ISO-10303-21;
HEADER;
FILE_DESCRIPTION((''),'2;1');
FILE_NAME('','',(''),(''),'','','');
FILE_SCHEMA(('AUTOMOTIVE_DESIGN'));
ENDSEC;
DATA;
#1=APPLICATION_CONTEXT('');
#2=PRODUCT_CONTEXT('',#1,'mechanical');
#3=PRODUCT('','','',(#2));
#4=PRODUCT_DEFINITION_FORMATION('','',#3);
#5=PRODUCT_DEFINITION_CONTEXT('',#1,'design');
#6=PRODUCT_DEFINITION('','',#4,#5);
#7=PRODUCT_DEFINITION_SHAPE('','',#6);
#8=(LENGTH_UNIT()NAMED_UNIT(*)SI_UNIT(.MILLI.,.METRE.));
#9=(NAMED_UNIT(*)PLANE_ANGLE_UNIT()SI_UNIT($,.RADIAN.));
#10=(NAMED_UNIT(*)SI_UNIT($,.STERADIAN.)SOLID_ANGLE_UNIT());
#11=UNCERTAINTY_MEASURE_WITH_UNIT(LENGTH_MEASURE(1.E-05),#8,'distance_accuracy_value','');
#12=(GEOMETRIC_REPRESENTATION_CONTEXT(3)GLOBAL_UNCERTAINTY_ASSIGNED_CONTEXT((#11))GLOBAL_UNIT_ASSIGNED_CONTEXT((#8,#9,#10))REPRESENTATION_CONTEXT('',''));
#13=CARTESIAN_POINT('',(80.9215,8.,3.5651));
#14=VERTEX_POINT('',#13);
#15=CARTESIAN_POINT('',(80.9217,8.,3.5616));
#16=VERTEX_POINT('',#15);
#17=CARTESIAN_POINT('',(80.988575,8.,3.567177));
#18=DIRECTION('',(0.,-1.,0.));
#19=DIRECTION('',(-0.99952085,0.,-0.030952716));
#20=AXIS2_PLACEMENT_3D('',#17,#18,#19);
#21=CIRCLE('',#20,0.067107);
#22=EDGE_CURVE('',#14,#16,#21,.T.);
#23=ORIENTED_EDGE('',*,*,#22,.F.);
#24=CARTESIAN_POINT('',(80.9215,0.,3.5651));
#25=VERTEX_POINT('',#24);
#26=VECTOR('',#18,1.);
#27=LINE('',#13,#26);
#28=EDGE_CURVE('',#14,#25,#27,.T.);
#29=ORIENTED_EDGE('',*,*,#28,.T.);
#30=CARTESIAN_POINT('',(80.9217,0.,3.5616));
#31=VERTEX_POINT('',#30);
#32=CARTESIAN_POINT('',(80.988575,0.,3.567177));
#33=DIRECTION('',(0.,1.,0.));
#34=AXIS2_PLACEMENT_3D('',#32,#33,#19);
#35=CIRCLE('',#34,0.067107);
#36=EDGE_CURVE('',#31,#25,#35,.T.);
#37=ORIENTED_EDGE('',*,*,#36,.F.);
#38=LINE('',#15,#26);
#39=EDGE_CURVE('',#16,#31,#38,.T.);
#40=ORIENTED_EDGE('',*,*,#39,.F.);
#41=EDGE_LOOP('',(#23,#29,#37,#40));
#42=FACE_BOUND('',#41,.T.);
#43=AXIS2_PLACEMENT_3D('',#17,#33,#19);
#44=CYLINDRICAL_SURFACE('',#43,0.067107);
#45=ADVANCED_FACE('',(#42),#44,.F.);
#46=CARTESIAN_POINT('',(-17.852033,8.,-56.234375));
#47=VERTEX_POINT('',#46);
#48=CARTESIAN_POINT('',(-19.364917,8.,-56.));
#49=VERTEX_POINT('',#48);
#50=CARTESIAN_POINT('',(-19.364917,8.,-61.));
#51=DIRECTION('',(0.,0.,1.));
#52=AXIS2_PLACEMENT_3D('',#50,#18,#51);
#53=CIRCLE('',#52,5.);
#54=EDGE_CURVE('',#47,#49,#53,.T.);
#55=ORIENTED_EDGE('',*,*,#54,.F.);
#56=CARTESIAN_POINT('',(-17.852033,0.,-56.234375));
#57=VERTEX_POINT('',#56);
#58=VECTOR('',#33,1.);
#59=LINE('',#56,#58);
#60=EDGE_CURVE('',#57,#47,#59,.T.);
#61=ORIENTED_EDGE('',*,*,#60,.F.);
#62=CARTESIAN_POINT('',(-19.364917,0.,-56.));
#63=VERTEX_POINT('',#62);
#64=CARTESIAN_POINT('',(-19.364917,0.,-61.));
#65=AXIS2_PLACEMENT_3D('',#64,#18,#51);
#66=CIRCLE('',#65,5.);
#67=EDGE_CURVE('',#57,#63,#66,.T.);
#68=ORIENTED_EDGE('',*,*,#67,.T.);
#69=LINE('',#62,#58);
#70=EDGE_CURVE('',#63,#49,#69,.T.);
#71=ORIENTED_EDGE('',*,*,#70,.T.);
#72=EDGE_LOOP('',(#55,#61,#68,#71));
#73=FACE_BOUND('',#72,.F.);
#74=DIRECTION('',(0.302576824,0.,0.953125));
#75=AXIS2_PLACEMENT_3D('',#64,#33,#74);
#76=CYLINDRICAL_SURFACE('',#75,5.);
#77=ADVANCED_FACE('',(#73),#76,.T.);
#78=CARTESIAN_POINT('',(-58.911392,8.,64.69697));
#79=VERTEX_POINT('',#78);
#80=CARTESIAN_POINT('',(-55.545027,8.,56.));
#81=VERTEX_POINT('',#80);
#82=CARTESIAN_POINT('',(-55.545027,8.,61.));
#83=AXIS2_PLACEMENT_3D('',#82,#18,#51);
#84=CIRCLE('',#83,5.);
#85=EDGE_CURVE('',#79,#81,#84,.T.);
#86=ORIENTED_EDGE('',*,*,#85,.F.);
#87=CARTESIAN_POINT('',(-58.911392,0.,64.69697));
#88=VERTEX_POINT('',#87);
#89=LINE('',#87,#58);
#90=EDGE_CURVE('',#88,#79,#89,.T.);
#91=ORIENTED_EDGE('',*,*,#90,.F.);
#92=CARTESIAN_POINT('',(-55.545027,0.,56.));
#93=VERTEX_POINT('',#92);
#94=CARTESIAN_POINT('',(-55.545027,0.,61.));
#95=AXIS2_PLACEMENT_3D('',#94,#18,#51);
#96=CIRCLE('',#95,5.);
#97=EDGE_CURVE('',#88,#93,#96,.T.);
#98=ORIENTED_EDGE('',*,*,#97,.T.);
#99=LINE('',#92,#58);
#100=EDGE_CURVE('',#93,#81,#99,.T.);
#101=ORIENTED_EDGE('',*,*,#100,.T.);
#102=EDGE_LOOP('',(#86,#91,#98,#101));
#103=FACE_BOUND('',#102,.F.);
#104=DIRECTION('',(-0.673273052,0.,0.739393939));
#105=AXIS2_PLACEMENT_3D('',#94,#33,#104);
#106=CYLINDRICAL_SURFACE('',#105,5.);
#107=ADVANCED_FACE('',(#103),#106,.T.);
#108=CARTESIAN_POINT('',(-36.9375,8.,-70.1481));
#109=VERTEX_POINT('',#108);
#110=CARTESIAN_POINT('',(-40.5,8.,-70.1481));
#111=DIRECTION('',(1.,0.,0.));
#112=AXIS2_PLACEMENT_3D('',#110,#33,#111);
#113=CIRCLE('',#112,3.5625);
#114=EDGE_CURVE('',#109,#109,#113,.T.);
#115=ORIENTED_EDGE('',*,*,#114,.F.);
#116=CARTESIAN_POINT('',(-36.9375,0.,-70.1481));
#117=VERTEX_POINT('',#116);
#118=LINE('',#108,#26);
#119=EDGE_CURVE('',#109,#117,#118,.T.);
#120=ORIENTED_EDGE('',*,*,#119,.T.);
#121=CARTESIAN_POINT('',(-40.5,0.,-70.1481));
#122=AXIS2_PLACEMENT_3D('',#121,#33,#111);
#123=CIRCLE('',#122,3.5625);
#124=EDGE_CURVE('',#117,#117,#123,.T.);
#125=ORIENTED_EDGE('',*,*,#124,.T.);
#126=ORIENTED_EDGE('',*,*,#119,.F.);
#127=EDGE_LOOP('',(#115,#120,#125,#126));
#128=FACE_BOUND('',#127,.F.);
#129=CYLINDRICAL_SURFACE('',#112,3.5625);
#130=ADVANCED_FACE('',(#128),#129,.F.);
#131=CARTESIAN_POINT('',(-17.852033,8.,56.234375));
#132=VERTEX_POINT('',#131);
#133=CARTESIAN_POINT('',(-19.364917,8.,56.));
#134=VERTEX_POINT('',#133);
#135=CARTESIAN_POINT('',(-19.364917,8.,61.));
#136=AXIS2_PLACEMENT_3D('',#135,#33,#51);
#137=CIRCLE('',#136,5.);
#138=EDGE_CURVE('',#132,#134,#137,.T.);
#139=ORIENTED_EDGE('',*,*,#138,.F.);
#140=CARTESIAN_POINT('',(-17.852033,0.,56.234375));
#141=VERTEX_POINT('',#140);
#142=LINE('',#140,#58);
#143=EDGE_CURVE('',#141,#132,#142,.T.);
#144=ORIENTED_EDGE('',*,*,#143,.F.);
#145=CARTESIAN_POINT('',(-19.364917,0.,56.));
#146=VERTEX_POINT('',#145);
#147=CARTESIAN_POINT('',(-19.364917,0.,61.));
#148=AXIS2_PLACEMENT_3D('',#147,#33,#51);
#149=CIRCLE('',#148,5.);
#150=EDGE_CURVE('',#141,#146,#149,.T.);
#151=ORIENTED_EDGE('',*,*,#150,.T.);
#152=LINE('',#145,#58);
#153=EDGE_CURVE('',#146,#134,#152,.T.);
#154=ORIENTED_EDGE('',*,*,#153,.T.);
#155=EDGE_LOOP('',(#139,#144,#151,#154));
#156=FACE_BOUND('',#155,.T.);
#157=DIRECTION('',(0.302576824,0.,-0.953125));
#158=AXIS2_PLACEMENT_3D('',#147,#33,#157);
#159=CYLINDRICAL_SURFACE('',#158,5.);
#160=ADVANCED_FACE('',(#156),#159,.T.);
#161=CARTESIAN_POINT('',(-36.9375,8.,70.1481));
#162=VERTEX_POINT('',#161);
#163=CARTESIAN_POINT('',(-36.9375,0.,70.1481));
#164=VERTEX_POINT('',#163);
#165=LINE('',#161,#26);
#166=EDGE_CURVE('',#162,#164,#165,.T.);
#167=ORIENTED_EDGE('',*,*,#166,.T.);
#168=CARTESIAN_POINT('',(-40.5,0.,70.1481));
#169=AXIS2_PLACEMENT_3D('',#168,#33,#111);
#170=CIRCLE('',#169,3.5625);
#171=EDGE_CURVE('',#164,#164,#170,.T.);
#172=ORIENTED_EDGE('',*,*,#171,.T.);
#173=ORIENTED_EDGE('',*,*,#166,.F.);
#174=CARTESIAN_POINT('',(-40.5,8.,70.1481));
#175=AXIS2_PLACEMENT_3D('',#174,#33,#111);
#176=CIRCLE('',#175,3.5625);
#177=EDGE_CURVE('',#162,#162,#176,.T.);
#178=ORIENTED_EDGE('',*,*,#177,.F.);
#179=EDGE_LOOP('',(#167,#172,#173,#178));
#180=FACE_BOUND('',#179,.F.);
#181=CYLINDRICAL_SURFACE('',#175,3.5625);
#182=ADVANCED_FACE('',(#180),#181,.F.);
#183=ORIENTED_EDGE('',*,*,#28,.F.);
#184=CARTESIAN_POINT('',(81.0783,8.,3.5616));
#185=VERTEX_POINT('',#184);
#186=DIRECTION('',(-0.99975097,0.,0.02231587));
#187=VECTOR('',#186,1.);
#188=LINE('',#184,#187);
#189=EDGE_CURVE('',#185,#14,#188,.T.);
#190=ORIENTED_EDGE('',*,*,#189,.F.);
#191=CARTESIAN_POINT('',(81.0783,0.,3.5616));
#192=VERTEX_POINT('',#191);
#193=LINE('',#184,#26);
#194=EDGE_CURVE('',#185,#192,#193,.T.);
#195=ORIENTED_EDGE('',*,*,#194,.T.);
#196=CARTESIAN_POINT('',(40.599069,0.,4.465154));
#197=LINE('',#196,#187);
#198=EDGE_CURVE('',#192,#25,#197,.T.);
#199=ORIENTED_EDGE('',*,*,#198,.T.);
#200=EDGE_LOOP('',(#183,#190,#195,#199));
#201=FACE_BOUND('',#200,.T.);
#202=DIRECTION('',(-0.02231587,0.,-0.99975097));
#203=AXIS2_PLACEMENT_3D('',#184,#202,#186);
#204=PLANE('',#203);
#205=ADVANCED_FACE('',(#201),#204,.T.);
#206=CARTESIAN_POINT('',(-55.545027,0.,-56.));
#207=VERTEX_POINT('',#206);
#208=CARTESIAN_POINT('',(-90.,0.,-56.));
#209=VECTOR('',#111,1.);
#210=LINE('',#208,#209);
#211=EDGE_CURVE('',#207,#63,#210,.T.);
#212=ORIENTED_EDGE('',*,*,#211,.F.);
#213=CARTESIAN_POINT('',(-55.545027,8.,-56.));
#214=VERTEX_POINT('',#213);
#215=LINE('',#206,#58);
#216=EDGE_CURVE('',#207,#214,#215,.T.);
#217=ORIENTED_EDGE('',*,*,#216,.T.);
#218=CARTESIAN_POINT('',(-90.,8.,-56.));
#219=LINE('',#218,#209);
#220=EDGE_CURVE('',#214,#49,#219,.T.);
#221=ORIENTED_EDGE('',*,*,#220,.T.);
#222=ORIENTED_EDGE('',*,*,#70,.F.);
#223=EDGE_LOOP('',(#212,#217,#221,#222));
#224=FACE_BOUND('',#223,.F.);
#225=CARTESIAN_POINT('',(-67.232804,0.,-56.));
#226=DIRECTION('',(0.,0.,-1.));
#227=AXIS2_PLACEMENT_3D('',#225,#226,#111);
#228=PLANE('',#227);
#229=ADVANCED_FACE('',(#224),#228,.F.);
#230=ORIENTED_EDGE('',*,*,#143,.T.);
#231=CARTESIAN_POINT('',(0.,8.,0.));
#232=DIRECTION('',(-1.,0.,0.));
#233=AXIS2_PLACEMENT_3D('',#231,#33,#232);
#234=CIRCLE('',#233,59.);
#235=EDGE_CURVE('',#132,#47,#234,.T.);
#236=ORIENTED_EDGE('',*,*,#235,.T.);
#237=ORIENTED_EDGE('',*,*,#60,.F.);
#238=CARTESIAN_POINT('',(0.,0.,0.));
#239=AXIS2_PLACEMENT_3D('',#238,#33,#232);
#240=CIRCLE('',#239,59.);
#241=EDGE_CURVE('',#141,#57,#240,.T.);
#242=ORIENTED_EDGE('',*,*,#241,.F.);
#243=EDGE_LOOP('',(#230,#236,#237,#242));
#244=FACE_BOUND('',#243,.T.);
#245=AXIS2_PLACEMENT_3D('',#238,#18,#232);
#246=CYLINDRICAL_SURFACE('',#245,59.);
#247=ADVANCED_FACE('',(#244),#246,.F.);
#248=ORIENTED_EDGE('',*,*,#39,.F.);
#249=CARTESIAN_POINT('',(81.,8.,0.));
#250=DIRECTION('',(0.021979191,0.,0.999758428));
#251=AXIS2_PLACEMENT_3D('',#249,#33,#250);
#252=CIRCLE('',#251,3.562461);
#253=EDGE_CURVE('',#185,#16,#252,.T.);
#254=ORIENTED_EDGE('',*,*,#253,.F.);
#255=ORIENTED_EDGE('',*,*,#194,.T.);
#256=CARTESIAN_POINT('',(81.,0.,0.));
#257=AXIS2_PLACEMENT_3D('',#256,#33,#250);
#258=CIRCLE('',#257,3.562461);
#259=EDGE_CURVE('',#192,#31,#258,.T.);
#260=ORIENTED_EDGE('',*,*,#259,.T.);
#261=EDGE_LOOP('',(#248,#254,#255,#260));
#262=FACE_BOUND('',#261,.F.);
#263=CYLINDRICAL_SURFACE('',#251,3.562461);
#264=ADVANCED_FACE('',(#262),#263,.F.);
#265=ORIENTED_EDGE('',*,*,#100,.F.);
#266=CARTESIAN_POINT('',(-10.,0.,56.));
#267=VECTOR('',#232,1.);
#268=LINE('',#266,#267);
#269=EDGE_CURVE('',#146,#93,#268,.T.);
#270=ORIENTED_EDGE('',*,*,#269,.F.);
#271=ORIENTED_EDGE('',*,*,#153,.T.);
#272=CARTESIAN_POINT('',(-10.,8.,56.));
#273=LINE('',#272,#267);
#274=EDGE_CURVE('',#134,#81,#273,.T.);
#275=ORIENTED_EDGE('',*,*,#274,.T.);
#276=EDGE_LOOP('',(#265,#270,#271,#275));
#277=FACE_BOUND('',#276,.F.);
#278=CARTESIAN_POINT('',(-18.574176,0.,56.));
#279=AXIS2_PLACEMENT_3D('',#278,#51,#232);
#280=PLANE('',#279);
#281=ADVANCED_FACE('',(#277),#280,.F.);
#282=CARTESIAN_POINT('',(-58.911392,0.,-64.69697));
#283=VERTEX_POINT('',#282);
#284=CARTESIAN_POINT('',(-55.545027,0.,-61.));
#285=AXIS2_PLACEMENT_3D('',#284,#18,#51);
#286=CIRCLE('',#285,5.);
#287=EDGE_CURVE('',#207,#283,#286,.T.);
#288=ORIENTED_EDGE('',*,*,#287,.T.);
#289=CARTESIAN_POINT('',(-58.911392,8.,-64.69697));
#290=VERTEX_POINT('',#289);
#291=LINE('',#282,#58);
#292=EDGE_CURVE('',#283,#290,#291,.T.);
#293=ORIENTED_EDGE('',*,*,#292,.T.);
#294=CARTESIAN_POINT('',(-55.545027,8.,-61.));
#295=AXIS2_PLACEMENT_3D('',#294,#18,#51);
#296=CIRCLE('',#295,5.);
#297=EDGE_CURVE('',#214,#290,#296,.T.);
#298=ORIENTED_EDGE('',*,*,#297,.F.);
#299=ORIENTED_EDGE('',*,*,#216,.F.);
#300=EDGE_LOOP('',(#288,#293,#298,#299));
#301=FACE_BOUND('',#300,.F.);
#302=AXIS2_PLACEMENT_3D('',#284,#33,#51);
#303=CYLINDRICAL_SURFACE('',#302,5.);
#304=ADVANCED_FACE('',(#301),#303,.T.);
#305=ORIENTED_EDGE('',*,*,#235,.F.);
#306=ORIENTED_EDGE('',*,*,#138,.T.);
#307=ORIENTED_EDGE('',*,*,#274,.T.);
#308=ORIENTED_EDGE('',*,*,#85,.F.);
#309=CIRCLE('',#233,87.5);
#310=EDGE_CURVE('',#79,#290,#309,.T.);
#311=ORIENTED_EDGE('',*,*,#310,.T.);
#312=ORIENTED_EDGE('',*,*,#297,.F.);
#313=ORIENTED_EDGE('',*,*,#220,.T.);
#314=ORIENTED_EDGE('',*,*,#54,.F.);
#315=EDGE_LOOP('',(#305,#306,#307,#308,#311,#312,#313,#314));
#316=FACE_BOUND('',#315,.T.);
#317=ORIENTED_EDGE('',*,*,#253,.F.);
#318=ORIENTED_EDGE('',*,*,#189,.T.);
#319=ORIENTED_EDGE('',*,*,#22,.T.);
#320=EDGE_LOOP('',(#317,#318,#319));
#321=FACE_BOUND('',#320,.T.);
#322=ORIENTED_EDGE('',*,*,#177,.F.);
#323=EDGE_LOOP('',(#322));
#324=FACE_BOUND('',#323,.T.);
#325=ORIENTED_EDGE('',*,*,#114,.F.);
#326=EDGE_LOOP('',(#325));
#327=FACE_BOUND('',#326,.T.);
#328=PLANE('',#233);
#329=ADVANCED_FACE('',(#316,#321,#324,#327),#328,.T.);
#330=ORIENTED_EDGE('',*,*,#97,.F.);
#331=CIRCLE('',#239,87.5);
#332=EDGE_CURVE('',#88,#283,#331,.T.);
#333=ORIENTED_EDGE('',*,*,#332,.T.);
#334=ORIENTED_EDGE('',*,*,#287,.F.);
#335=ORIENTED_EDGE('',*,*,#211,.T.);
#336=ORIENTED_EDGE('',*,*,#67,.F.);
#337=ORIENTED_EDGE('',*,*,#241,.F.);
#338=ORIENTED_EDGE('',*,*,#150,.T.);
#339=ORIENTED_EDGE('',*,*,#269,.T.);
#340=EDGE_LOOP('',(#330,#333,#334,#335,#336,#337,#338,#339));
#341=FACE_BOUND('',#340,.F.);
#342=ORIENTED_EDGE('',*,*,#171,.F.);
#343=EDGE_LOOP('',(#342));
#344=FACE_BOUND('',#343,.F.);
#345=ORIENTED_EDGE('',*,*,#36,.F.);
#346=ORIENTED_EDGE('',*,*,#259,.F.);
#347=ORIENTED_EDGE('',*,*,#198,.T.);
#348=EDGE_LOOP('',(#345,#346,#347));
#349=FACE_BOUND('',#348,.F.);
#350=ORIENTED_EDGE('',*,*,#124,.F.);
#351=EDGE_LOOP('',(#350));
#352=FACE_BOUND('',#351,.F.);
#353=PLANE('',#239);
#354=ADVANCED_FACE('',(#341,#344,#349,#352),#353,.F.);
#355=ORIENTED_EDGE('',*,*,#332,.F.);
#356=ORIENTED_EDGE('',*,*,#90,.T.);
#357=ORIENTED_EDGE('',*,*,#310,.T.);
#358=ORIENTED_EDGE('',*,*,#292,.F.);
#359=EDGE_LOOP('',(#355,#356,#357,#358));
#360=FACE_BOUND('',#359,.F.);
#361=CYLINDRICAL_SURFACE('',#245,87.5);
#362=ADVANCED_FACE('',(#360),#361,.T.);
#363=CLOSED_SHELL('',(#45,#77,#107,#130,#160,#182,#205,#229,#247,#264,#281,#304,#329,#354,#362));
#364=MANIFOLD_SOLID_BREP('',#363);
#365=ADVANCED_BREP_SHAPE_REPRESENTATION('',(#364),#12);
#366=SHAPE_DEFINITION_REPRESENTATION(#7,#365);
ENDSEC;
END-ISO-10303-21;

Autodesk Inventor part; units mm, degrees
ref_plane "YZ Plane" through (0, 0, 0) normal (1, 0, 0) x (0, 1, 0)
ref_plane "XZ Plane" through (0, 0, 0) normal (0, 1, 0) x (-1, 0, 0)
ref_plane "XY Plane" through (0, 0, 0) normal (0, 0, 1) x (1, 0, 0)
sketch "Sketch1" plane through (0, 0, 0) normal (0, 1, 0) x (-1, 0, 0)
  circle A0 centre (0, 0) radius 59
  circle A1 centre (0, 0) radius 81 construction
  circle A2 centre (0, 0) radius 87.5
  line L0 (90, -56) -> (10, -56)
  line L1 (10, -56) -> (10, 56)
  line L2 (10, 56) -> (90, 56)
  line L3 (90, 56) -> (90, -56)
  line L4 (90, -56) -> (10, 56) construction
  line L5 (10, -56) -> (90, 56) construction
  point P0 (50, 0)
  point P1 (90, 0)
  point P2 (10, 0)
  point P3 (60, -54.4151)
  point P4 (60, 54.4151)
  point P5 (80, 35.4436)
  point P6 (80, -35.4436)
  point P7 (67.2328, 56)
  point P8 (67.2328, -56)
  point P9 (18.5742, 56)
  point P10 (18.5742, -56)
  dimension "d0" = 118
  dimension "d1" = 162
  dimension "d2" = 175
  dimension "d7" = 112
  dimension "d9" = 80
  dimension "d10" = 10
extrude "Extrusion1" add sketch "Sketch1" along normal blind 8 contours A0 L0 A2 L2 picked at (48.009, -59.1067)
fillet "Fillet1" radius 5 4 edges at (-67.2328, 4, -56) (-67.2328, 4, 56) (-18.5742, 4, -56) (-18.5742, 4, 56)
sketch "Sketch2" plane through (0, 8, 0) normal (0, 1, 0) x (1, 0, 0)
  circle A0 centre (0, 0) radius 70.375
  line L0 (-36.4414, 79.1184) -> (-50.2978, 71.1184)
  line L1 (-50.2978, 71.1184) -> (-44.9056, 61.7788)
  arc A1 (-31.0492, 69.7788) -> (-44.9056, 61.7788) centre (0, 0) ccw
  line L2 (-31.0492, 69.7788) -> (-36.4414, 79.1184)
  circle A2 centre (-40.5, 70.1481) radius 3.5625
  circle A3 centre (-40.5, 70.1481) radius 3.5625
  line L3 (86.7392, -8) -> (86.7392, 8)
  line L4 (86.7392, 8) -> (75.9549, 8)
  arc A4 (75.9549, -8) -> (75.9549, 8) centre (0, 0) ccw
  line L5 (75.9549, -8) -> (86.7392, -8)
  arc A5 (80.9215, -3.5651) -> (80.9217, -3.5616) centre (0, 0) ccw
  arc A6 (81.0783, -3.5616) -> (80.9217, -3.5616) centre (81, 0) ccw
  line L6 (81.0783, -3.5616) -> (80.9215, -3.5651)
  line L7 (-50.2978, -71.1184) -> (-36.4414, -79.1184)
  line L8 (-36.4414, -79.1184) -> (-31.0492, -69.7788)
  arc A7 (-44.9056, -61.7788) -> (-31.0492, -69.7788) centre (0, 0) ccw
  line L9 (-44.9056, -61.7788) -> (-50.2978, -71.1184)
  circle A8 centre (-40.5, -70.1481) radius 3.5625
  point P0 (-65.1143, 450.6181)
extrude "Extrusion2" cut sketch "Sketch2" against normal blind 10 contours A2 | A5 A6 L6 | A8
properties part number "Cylinder Segment Holder" material "Acetal Resin, Black"
